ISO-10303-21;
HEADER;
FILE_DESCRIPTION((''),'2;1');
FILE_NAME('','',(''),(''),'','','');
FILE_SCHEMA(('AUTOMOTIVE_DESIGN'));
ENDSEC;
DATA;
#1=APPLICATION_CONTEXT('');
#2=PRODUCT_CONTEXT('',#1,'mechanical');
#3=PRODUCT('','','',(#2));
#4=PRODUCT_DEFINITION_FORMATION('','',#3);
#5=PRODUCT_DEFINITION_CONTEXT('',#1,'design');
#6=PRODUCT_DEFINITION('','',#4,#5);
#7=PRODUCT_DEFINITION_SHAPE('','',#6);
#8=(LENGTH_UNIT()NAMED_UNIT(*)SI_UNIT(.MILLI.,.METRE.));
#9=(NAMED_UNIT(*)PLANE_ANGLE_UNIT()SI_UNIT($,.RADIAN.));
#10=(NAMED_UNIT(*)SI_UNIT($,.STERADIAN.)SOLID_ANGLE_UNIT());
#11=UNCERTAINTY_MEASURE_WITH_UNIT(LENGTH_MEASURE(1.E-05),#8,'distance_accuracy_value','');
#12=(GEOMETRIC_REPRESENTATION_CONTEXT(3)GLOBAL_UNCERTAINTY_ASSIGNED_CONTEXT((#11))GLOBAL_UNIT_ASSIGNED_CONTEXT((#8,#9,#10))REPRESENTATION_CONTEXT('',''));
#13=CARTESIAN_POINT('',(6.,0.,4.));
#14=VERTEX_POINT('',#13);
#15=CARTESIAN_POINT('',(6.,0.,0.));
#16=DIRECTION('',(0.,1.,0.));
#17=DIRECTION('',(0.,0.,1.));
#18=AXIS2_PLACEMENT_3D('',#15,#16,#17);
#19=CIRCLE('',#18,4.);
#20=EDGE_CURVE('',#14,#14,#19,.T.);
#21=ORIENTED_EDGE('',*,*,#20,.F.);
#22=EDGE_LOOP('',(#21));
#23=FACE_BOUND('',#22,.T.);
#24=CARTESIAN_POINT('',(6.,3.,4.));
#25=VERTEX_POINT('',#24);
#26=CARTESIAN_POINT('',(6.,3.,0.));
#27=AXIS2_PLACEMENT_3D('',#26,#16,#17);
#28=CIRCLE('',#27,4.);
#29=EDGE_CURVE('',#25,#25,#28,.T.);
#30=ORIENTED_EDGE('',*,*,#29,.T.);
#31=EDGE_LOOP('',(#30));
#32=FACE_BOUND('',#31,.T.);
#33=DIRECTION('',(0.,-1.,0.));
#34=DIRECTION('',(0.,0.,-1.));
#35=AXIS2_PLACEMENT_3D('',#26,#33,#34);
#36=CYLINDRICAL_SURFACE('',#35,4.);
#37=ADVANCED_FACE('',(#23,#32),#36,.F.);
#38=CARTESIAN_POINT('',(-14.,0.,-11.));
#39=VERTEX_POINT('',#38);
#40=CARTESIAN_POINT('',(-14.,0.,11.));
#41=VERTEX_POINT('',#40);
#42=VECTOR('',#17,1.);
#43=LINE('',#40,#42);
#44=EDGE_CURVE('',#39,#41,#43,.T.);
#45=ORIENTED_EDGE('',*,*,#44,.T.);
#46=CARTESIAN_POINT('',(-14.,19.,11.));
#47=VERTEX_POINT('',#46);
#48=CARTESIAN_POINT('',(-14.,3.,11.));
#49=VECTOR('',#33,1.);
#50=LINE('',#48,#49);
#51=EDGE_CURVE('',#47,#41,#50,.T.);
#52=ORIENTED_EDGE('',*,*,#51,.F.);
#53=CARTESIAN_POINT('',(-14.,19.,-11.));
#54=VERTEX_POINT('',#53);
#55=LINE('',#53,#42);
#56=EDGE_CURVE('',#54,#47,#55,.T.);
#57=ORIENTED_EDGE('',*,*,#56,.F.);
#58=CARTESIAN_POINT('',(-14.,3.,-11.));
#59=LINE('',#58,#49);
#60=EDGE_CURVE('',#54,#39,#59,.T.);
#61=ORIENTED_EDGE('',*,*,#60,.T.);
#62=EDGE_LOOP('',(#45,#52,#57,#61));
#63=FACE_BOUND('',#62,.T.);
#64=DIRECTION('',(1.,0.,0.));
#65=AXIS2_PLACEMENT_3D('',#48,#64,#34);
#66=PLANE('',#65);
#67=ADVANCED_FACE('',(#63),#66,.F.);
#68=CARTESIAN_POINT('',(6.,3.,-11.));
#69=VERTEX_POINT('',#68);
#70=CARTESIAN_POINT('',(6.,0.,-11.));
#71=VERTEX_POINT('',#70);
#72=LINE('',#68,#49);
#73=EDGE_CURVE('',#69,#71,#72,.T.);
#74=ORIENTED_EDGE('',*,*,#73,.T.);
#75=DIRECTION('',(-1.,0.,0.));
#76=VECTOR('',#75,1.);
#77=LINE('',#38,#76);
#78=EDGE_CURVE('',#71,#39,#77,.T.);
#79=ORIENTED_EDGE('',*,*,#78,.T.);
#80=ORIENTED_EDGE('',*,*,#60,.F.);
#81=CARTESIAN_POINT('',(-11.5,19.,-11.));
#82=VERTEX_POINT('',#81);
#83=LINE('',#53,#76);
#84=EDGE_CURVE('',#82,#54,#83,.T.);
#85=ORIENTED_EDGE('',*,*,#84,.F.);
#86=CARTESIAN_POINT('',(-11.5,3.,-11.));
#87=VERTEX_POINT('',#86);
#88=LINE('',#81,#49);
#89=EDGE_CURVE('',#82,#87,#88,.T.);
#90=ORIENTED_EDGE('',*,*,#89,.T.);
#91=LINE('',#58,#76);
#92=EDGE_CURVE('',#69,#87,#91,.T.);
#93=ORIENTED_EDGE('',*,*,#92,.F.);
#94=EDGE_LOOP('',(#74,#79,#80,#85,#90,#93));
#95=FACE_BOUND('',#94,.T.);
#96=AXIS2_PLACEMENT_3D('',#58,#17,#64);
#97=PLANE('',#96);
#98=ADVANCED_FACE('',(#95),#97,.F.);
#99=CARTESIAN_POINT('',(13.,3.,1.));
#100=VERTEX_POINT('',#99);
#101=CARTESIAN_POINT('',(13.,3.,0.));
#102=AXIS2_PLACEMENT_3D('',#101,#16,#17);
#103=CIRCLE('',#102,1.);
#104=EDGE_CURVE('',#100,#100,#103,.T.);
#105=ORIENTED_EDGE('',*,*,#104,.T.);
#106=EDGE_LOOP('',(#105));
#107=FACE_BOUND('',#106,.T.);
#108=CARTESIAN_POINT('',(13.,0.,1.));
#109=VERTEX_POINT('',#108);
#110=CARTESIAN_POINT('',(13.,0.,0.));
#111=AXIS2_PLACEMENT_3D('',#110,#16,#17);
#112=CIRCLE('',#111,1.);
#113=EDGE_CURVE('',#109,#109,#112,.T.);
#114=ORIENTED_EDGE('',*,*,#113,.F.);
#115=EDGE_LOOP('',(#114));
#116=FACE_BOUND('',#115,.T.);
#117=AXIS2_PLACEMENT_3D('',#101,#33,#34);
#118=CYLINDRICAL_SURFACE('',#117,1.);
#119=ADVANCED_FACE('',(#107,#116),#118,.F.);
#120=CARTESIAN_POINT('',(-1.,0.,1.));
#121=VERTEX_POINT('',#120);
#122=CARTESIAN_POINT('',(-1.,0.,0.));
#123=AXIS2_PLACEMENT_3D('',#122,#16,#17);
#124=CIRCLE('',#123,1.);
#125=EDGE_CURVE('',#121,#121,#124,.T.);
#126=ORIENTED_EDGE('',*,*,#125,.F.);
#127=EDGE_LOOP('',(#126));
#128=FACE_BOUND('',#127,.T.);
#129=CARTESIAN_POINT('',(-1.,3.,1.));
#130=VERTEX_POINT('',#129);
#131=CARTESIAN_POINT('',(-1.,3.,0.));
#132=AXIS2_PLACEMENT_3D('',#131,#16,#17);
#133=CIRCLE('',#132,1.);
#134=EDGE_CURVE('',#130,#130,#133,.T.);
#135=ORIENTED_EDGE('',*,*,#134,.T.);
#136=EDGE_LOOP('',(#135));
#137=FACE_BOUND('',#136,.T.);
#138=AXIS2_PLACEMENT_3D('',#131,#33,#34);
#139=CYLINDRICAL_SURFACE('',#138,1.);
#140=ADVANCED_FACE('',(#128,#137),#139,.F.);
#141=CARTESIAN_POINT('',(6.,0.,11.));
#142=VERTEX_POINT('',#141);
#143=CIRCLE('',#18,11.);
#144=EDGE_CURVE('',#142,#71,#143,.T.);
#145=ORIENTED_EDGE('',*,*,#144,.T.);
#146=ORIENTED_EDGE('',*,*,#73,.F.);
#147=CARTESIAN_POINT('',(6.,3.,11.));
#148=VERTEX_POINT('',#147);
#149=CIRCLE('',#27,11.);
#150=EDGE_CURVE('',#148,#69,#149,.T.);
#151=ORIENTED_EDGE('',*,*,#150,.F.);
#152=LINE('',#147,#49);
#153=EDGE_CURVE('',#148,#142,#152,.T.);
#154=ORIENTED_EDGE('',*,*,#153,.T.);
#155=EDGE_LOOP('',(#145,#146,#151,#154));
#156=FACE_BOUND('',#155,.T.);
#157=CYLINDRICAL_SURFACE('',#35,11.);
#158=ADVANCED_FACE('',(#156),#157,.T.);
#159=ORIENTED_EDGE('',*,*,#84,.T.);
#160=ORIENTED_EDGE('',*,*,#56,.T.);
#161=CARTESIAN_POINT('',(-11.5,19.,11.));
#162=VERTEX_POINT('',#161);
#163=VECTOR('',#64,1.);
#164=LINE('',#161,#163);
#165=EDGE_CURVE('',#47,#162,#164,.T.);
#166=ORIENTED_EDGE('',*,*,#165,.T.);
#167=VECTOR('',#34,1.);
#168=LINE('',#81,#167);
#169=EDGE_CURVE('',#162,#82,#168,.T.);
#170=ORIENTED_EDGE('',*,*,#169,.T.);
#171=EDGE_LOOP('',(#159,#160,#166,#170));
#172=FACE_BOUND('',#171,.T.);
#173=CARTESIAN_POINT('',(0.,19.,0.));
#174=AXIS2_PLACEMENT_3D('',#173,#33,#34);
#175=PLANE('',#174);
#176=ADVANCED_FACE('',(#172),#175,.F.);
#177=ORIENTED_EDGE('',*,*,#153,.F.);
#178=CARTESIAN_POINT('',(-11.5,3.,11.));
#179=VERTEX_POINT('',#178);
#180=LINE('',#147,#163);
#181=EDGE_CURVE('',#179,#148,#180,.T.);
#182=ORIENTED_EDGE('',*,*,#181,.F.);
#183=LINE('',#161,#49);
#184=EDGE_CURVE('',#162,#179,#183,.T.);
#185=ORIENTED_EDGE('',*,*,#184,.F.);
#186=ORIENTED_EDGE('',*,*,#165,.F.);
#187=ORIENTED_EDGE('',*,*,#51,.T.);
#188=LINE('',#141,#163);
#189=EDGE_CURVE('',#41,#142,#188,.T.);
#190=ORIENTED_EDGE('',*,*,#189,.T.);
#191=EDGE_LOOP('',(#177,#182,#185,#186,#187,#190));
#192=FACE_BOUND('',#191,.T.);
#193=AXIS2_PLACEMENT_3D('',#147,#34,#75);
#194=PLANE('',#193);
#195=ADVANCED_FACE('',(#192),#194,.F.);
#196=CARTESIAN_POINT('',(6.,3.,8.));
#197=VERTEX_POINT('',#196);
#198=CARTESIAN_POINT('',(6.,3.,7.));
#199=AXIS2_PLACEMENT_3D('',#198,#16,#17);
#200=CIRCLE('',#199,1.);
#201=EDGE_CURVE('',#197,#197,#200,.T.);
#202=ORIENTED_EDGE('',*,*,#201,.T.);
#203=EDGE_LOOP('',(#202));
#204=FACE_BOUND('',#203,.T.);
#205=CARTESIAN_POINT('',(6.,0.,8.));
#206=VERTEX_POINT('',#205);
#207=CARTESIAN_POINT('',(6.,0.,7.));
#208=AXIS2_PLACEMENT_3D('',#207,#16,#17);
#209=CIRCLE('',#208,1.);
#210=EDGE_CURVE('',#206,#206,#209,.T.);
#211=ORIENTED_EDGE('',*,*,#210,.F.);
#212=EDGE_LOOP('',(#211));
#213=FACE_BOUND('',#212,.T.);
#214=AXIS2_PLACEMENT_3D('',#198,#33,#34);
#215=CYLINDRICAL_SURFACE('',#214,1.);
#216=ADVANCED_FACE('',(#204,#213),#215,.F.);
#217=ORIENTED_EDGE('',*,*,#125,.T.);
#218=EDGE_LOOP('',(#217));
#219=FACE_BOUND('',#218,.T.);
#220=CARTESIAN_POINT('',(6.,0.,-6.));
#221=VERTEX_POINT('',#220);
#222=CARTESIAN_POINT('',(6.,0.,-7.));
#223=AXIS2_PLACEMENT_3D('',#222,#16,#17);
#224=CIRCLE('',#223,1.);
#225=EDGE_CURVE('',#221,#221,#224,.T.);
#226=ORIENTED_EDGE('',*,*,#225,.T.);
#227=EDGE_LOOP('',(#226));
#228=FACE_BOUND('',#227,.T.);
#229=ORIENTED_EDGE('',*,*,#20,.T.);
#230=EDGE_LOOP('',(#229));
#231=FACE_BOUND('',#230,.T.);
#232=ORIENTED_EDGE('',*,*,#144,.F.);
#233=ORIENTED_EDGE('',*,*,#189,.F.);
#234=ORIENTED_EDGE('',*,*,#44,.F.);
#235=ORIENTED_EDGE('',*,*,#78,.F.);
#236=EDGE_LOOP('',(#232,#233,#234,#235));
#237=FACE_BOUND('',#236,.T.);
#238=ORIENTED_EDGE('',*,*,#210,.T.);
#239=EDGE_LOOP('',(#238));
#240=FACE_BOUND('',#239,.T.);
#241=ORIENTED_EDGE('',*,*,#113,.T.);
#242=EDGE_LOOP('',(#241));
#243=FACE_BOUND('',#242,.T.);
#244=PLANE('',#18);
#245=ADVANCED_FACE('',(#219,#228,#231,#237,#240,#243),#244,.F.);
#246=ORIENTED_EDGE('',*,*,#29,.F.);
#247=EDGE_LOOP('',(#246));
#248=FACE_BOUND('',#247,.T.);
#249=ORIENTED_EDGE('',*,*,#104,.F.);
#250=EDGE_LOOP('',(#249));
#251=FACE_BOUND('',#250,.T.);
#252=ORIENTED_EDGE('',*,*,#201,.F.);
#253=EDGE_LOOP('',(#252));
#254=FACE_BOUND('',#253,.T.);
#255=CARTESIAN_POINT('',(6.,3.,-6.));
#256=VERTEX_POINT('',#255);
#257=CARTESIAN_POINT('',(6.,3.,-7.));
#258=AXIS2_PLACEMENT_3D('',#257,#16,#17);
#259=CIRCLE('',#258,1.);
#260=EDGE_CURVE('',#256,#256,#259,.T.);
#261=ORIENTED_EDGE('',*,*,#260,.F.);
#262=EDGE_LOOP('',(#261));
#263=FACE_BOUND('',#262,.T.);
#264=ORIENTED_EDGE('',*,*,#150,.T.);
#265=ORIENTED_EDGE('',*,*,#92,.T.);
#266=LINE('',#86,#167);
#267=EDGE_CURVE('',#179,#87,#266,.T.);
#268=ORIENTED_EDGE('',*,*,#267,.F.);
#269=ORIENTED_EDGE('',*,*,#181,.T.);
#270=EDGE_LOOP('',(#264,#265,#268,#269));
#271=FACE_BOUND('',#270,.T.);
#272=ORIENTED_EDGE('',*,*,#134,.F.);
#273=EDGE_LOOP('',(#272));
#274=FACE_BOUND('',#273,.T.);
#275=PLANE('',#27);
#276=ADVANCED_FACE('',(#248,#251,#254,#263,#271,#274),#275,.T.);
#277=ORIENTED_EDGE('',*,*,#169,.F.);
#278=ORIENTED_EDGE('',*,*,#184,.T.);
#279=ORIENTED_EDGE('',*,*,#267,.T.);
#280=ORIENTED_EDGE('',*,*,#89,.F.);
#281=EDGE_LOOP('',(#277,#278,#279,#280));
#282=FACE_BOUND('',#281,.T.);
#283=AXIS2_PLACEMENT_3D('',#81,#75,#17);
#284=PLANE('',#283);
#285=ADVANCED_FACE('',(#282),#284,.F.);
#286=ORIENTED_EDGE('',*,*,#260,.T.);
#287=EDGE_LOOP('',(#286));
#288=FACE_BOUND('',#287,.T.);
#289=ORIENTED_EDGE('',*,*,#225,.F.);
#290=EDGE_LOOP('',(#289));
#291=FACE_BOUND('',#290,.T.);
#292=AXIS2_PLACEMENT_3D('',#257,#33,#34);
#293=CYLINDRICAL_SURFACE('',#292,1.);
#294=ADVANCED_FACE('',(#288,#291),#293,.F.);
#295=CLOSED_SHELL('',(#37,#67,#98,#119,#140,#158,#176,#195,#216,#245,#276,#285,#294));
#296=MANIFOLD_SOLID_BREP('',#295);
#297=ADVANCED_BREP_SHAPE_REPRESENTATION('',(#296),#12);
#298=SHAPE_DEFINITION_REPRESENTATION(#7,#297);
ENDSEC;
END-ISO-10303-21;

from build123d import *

# Parameters (mm, degrees)
SKETCH1_R           = 1
SKETCH1_R_2         = 4
BOSS_EXTRUDE1_DEPTH = 3
SKETCH2_W           = 2.5
SKETCH2_H           = 22
BOSS_EXTRUDE2_DEPTH = 16


with BuildPart() as part:
    # Sketch1 → Boss-Extrude1 (new body)
    with BuildSketch(Plane(origin=(0, 0, 0), x_dir=(1, 0, 0), z_dir=(0, 1, 0))):
        with BuildLine():
            Line((-14, -11), (-14, 11))
            Line((-14, 11), (6, 11))
            ThreePointArc((6, 11), (17, 0), (6, -11))
            Line((6, -11), (-14, -11))
        make_face()
        with Locations((6, -7)):
            Circle(SKETCH1_R, mode=Mode.SUBTRACT)
        with Locations((-1, 0)):
            Circle(SKETCH1_R, mode=Mode.SUBTRACT)
        with Locations((6, 0)):
            Circle(SKETCH1_R_2, mode=Mode.SUBTRACT)
        with Locations((13, 0)):
            Circle(SKETCH1_R, mode=Mode.SUBTRACT)
        with Locations((6, 7)):
            Circle(SKETCH1_R, mode=Mode.SUBTRACT)
    extrude(amount=BOSS_EXTRUDE1_DEPTH)

    # Sketch2 → Boss-Extrude2 (add)
    with BuildSketch(Plane(origin=(0, 3, 0), x_dir=(1, 0, 0), z_dir=(0, 1, 0))):
        with Locations((-12.75, 0)):
            Rectangle(SKETCH2_W, SKETCH2_H)
    extrude(amount=BOSS_EXTRUDE2_DEPTH)


solid = part.part
